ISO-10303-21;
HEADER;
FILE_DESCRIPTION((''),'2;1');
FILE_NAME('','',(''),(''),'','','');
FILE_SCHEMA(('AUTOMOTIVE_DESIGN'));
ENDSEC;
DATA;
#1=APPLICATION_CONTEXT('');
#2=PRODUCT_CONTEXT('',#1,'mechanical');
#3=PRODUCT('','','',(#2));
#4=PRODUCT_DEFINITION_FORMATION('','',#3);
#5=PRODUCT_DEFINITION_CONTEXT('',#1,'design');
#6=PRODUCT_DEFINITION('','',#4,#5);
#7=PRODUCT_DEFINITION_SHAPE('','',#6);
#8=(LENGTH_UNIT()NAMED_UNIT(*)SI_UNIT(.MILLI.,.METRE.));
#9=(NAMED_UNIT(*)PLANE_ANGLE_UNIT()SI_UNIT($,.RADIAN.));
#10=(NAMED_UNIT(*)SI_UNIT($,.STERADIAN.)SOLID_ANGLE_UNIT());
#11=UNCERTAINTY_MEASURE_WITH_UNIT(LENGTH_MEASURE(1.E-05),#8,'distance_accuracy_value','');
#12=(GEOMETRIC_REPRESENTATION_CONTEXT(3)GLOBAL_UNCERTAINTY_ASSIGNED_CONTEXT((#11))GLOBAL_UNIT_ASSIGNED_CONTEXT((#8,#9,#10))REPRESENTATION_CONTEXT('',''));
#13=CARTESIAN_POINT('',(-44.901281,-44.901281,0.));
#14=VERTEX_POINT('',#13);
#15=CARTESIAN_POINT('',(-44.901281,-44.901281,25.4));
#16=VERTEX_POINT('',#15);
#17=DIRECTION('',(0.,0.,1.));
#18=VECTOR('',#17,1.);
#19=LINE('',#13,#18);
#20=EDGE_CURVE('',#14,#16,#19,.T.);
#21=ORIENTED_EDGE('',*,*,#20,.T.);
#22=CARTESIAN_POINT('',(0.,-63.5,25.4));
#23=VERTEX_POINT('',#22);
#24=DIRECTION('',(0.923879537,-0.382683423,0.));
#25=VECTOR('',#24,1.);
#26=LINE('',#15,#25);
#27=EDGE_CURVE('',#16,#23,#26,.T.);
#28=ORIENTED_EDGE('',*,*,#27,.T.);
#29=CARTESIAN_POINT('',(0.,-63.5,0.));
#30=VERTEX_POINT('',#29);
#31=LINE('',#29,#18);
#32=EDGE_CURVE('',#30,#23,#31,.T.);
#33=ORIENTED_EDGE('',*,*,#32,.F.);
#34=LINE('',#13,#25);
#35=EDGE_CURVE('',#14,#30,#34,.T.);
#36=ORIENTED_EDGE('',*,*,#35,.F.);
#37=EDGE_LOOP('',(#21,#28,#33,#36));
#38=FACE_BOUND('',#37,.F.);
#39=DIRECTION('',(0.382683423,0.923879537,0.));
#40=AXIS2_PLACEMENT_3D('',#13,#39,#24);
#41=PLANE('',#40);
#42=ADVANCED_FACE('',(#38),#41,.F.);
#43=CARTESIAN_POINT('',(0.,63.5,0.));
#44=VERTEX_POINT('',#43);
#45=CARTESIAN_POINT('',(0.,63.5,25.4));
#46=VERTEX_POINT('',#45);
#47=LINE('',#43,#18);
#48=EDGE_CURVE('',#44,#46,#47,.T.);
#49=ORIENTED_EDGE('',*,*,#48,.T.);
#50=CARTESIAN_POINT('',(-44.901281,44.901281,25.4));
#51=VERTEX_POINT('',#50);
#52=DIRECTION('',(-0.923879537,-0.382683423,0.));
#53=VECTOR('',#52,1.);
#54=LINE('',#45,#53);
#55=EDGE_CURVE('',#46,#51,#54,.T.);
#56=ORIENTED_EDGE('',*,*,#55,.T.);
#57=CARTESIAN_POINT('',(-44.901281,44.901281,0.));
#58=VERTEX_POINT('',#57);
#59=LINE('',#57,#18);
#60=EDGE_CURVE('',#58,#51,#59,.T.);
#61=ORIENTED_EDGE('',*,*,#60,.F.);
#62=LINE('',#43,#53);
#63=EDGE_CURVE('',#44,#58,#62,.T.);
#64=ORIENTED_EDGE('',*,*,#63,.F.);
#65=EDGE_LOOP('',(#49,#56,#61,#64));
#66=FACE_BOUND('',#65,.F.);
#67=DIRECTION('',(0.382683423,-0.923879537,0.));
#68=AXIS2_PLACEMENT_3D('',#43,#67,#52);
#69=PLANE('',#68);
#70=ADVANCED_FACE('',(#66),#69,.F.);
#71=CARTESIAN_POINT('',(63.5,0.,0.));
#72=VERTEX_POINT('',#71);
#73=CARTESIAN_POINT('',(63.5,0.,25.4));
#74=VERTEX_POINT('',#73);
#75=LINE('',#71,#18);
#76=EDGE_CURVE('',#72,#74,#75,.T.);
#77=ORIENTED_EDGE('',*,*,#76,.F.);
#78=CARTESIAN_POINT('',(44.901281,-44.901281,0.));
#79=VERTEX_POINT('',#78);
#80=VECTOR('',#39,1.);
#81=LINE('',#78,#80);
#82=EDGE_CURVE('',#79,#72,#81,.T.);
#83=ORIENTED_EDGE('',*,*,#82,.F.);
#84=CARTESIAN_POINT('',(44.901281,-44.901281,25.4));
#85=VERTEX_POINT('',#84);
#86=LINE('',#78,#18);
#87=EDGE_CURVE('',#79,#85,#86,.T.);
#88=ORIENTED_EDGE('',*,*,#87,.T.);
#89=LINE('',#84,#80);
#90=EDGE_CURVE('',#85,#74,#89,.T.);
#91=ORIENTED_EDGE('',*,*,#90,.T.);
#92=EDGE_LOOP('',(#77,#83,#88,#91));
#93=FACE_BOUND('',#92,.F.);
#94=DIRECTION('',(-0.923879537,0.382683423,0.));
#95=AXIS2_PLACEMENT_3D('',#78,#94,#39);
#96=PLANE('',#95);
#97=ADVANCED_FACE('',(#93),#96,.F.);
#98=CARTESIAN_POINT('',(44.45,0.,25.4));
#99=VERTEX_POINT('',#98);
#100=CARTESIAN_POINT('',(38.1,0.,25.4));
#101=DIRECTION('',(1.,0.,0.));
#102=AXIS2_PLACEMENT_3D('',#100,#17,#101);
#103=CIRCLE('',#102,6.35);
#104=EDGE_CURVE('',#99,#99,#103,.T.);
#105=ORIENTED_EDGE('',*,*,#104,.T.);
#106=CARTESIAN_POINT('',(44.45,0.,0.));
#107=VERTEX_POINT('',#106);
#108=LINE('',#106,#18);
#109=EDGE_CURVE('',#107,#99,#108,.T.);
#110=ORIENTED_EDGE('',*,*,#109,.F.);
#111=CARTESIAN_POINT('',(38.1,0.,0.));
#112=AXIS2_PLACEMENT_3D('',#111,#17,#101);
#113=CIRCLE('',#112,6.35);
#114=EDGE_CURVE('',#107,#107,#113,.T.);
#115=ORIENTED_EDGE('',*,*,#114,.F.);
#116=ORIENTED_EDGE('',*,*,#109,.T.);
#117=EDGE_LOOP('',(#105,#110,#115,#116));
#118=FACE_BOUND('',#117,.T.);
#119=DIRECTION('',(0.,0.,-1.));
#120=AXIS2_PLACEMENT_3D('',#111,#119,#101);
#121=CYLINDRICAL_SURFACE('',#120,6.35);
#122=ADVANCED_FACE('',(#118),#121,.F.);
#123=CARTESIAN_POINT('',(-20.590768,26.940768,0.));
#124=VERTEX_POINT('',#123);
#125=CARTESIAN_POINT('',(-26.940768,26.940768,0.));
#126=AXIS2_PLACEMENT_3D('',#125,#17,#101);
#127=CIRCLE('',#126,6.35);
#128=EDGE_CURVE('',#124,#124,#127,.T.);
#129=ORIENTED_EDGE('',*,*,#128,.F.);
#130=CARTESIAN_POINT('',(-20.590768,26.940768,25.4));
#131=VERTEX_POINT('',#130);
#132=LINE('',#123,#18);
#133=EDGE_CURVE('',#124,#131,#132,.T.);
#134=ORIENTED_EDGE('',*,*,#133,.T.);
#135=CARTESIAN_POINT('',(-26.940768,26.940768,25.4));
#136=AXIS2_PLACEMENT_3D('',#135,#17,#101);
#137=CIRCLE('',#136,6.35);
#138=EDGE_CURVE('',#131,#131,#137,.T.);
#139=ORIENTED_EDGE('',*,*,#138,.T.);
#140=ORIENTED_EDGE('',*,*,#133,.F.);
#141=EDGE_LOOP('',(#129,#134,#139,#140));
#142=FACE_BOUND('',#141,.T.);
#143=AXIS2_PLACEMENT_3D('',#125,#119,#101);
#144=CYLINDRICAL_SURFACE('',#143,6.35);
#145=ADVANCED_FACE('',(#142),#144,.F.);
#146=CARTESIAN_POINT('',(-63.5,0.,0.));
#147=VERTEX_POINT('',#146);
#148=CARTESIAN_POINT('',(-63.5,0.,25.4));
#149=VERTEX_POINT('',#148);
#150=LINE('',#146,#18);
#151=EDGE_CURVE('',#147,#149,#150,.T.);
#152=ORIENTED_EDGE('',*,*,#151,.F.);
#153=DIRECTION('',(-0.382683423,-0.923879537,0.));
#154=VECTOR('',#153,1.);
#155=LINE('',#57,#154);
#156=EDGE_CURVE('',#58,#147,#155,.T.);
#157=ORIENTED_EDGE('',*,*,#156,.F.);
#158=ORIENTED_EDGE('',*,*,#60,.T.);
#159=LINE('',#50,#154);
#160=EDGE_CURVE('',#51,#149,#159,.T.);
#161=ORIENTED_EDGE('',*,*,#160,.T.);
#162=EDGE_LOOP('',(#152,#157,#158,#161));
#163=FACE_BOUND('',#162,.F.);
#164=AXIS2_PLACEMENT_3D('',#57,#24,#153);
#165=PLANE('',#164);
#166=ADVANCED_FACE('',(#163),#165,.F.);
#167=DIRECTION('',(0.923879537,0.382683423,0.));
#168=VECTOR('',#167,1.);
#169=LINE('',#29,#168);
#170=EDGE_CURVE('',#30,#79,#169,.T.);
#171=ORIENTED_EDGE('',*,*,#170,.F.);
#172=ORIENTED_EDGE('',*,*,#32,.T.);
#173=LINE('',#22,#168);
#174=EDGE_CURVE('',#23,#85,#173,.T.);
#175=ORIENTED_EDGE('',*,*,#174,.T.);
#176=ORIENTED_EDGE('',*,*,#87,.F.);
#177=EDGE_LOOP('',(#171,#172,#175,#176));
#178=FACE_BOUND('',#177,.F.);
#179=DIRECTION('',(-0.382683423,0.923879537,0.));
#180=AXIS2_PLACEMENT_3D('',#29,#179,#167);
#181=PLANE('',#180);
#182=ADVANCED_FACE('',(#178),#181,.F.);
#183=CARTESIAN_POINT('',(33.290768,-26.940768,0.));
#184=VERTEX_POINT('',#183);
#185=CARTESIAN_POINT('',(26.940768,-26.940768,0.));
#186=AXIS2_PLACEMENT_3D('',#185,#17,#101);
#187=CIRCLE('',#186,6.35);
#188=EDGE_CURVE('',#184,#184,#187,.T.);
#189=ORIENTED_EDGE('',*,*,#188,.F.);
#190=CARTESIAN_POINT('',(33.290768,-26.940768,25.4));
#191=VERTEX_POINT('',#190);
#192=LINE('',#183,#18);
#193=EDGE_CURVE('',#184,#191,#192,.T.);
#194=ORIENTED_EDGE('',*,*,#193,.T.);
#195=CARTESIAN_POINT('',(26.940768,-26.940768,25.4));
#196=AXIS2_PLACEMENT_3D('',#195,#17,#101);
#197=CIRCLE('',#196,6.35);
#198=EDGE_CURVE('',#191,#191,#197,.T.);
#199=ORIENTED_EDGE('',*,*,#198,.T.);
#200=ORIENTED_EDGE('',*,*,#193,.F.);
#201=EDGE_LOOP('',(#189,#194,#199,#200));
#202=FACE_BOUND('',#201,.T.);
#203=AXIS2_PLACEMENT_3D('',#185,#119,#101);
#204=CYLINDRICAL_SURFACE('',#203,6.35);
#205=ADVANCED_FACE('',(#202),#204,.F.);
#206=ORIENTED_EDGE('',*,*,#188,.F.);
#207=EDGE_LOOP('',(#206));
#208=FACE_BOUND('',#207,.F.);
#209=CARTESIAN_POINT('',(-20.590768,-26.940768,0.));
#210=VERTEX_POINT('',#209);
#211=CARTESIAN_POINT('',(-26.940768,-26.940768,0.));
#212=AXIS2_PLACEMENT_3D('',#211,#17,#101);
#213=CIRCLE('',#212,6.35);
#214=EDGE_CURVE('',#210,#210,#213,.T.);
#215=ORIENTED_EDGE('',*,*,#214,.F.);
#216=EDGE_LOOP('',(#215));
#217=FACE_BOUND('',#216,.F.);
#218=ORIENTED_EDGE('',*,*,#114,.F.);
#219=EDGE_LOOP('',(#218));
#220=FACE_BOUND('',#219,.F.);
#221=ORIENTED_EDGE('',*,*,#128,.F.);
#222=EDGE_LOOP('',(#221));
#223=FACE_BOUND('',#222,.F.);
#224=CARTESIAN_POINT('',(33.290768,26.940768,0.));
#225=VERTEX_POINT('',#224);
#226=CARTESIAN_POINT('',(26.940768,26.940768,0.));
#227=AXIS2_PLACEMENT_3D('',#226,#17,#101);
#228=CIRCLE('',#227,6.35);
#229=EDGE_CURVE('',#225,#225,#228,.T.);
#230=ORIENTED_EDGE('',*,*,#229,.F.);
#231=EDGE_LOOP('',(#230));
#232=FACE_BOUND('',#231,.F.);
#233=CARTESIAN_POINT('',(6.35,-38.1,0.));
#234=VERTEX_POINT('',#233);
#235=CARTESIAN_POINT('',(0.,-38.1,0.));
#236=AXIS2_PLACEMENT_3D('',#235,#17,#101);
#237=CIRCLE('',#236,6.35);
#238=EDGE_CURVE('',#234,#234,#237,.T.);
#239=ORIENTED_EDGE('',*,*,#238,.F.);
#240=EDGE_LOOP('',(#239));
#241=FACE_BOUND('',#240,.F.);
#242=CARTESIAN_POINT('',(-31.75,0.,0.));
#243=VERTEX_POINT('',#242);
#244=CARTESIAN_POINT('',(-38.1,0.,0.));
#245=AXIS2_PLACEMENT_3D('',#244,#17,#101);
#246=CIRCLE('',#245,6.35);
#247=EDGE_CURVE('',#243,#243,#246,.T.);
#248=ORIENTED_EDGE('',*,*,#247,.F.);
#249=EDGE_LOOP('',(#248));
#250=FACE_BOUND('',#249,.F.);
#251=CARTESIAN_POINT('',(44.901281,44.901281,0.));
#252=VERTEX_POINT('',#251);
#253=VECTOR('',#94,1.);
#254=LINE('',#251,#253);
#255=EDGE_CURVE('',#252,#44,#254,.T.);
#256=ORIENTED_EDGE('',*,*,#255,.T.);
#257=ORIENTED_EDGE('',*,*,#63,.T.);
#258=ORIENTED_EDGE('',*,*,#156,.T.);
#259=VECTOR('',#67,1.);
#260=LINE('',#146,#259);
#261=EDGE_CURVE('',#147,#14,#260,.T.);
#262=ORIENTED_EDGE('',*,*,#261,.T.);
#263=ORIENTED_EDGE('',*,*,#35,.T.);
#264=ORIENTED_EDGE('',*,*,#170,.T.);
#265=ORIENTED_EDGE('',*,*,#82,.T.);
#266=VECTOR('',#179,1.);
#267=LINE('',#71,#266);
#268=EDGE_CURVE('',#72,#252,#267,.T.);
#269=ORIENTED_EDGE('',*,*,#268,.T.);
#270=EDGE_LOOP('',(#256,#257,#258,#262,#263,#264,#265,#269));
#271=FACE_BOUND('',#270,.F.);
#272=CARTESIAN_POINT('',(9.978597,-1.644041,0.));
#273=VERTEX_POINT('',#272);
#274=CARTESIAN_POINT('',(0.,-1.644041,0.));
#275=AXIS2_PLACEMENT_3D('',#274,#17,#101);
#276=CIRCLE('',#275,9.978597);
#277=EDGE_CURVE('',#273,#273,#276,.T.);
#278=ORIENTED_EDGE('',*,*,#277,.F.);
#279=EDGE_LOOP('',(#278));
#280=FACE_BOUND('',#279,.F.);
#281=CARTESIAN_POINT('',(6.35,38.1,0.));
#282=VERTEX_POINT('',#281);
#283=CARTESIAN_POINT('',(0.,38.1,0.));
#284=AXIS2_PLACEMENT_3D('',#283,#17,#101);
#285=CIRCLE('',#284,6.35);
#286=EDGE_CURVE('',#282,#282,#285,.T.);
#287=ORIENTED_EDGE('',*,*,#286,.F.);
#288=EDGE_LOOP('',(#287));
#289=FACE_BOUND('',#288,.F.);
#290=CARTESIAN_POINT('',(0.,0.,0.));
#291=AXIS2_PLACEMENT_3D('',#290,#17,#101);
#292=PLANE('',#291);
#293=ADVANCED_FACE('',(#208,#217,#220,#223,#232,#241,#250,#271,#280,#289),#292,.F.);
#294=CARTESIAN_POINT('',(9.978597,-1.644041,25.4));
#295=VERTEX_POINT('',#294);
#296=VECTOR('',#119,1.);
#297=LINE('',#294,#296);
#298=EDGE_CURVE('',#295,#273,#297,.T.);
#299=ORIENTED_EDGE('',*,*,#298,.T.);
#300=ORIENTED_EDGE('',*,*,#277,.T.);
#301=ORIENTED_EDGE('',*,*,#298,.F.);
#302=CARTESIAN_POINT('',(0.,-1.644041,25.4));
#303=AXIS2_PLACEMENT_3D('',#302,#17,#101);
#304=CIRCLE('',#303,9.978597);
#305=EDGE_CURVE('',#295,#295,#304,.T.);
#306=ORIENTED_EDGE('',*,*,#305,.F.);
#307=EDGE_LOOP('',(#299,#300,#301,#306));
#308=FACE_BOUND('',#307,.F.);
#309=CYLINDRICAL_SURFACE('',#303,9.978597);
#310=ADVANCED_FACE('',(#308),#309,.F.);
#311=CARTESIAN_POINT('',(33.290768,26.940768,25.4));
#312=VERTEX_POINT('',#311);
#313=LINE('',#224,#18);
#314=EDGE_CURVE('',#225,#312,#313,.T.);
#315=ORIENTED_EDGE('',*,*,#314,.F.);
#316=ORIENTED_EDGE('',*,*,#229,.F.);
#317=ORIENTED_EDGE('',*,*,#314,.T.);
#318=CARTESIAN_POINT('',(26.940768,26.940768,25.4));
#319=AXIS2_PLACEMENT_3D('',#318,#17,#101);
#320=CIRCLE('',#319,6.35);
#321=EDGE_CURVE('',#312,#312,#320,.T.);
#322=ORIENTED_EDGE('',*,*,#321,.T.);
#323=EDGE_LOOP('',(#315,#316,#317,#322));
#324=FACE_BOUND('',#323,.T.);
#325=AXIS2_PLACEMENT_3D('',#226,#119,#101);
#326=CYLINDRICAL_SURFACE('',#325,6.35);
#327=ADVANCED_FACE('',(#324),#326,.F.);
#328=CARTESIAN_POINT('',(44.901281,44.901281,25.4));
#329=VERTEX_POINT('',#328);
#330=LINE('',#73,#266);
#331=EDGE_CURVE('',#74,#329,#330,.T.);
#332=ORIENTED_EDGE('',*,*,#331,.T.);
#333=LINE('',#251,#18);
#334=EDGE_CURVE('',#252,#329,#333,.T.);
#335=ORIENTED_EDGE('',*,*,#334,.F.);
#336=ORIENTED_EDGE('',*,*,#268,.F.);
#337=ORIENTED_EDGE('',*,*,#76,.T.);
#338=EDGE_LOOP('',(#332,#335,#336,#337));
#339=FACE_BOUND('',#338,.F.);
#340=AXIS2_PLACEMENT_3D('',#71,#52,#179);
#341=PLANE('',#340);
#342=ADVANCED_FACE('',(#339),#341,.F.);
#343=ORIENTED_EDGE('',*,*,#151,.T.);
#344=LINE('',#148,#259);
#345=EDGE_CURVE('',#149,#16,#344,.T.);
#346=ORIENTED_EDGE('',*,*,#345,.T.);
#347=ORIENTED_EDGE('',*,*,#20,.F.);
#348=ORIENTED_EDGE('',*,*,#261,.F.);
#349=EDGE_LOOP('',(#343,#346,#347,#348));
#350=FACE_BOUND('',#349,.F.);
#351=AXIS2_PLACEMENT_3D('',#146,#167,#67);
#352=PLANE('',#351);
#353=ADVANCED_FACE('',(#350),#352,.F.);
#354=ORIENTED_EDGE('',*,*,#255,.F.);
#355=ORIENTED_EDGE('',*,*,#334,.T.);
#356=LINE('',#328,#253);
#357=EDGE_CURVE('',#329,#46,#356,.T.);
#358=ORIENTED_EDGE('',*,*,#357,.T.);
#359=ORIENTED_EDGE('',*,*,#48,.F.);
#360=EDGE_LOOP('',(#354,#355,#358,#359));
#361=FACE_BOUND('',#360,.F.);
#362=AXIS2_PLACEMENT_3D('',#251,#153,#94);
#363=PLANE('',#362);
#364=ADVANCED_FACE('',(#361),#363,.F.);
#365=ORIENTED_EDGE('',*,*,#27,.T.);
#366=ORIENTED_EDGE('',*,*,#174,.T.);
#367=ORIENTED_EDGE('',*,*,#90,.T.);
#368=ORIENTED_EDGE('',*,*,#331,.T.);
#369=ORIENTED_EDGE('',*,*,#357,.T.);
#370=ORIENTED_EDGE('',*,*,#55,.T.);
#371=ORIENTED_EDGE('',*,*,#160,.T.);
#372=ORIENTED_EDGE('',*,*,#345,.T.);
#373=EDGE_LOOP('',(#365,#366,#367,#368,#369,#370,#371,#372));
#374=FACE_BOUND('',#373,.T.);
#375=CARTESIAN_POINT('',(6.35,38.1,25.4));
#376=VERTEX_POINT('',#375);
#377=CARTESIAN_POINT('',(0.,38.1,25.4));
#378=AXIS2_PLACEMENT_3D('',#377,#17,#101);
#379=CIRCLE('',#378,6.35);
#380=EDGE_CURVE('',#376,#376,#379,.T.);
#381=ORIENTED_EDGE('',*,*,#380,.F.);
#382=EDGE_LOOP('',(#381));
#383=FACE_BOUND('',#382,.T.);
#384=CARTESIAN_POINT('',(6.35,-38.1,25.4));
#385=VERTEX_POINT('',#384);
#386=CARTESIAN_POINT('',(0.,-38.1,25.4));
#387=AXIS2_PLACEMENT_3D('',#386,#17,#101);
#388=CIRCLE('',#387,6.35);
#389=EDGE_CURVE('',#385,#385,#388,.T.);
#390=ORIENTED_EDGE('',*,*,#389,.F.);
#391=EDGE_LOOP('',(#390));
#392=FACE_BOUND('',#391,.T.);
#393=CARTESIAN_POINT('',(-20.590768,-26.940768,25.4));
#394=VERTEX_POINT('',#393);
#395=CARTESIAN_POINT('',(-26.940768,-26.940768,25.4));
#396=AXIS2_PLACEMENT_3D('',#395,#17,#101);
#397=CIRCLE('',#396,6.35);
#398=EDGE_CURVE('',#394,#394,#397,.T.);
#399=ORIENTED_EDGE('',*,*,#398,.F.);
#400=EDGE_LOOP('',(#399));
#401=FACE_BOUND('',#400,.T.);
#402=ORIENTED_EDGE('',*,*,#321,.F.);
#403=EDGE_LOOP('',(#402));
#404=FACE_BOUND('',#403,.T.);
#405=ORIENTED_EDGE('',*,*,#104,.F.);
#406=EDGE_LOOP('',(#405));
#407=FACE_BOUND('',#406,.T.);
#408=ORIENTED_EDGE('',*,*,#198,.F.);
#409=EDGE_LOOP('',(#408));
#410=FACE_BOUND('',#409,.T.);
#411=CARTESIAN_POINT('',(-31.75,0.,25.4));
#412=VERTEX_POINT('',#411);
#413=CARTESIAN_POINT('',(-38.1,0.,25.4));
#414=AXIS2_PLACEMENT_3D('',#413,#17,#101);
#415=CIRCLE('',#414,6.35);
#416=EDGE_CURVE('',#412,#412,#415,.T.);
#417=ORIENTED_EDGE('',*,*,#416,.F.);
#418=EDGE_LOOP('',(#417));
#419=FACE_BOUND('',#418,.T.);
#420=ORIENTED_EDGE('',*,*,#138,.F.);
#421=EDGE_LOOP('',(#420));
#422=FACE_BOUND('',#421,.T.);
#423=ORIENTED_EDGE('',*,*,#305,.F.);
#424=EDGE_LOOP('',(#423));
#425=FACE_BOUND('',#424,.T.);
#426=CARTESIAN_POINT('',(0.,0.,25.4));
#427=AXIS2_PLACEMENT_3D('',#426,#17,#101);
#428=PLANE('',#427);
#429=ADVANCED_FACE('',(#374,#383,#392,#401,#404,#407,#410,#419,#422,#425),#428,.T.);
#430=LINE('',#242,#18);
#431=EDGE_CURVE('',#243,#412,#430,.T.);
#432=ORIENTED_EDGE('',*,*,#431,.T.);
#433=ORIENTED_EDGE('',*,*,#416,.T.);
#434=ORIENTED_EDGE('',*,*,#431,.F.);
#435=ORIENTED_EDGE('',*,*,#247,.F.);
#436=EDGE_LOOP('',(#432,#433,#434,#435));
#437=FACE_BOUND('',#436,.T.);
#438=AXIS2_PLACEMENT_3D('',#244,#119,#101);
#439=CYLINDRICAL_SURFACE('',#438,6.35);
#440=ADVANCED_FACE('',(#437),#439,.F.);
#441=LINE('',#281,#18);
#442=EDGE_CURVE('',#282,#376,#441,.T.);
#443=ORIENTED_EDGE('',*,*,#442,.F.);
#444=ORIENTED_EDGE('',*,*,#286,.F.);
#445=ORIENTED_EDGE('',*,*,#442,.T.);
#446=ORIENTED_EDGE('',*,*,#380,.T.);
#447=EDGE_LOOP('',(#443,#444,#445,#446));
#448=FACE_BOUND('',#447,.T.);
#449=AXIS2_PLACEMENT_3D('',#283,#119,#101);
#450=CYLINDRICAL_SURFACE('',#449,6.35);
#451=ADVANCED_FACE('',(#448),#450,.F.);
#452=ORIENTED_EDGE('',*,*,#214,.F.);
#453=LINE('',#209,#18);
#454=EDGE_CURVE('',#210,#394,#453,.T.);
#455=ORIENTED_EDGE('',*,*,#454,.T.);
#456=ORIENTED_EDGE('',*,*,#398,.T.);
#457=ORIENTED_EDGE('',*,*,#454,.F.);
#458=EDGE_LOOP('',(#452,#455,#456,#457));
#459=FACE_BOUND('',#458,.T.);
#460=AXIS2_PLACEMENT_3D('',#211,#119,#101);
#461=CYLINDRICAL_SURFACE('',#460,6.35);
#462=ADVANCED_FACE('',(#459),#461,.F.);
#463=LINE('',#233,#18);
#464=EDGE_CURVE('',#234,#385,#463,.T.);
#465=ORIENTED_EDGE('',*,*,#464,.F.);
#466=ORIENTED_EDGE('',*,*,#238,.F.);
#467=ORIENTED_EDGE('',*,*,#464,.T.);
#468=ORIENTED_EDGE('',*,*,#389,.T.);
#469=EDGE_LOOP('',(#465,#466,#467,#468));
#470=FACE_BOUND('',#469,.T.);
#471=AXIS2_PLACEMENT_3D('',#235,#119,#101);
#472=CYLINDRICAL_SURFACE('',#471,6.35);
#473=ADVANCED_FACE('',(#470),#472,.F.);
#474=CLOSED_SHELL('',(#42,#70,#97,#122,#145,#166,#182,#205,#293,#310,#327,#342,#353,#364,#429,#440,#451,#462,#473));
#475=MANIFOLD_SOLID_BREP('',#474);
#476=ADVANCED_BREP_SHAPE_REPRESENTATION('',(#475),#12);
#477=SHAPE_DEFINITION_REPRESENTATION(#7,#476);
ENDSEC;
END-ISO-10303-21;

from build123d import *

# Parameters (mm, degrees)
F0_R     = 6.35
F1_DEPTH = 25.4
F2_R     = 9.978597
F3_DEPTH = 25.4


with BuildPart() as f1:
    # F0 (on Top) → F1 (new body)
    with BuildSketch(Plane.XY):
        Polygon((44.901281, -44.901281), (63.5, 0), (44.901281, 44.901281), (0, 63.5), (-44.901281, 44.901281), (-63.5, 0), (-44.901281, -44.901281), (0, -63.5), align=None)
        with Locations((-26.940768, -26.940768)):
            Circle(F0_R, mode=Mode.SUBTRACT)
        with Locations((0, -38.1)):
            Circle(F0_R, mode=Mode.SUBTRACT)
        with Locations((26.940768, -26.940768)):
            Circle(F0_R, mode=Mode.SUBTRACT)
        with Locations((-38.1, 0)):
            Circle(F0_R, mode=Mode.SUBTRACT)
        with Locations((-26.940768, 26.940768)):
            Circle(F0_R, mode=Mode.SUBTRACT)
        with Locations((26.940768, 26.940768)):
            Circle(F0_R, mode=Mode.SUBTRACT)
        with Locations((38.1, 0)):
            Circle(F0_R, mode=Mode.SUBTRACT)
        with Locations((0, 38.1)):
            Circle(F0_R, mode=Mode.SUBTRACT)
    extrude(amount=F1_DEPTH)

    # F2 (on face) → F3 (cut)
    with BuildSketch(Plane.XY.offset(25.4)):
        with Locations((0, -1.644041)):
            Circle(F2_R)
    extrude(amount=-F3_DEPTH, mode=Mode.SUBTRACT)


solid = f1.part
